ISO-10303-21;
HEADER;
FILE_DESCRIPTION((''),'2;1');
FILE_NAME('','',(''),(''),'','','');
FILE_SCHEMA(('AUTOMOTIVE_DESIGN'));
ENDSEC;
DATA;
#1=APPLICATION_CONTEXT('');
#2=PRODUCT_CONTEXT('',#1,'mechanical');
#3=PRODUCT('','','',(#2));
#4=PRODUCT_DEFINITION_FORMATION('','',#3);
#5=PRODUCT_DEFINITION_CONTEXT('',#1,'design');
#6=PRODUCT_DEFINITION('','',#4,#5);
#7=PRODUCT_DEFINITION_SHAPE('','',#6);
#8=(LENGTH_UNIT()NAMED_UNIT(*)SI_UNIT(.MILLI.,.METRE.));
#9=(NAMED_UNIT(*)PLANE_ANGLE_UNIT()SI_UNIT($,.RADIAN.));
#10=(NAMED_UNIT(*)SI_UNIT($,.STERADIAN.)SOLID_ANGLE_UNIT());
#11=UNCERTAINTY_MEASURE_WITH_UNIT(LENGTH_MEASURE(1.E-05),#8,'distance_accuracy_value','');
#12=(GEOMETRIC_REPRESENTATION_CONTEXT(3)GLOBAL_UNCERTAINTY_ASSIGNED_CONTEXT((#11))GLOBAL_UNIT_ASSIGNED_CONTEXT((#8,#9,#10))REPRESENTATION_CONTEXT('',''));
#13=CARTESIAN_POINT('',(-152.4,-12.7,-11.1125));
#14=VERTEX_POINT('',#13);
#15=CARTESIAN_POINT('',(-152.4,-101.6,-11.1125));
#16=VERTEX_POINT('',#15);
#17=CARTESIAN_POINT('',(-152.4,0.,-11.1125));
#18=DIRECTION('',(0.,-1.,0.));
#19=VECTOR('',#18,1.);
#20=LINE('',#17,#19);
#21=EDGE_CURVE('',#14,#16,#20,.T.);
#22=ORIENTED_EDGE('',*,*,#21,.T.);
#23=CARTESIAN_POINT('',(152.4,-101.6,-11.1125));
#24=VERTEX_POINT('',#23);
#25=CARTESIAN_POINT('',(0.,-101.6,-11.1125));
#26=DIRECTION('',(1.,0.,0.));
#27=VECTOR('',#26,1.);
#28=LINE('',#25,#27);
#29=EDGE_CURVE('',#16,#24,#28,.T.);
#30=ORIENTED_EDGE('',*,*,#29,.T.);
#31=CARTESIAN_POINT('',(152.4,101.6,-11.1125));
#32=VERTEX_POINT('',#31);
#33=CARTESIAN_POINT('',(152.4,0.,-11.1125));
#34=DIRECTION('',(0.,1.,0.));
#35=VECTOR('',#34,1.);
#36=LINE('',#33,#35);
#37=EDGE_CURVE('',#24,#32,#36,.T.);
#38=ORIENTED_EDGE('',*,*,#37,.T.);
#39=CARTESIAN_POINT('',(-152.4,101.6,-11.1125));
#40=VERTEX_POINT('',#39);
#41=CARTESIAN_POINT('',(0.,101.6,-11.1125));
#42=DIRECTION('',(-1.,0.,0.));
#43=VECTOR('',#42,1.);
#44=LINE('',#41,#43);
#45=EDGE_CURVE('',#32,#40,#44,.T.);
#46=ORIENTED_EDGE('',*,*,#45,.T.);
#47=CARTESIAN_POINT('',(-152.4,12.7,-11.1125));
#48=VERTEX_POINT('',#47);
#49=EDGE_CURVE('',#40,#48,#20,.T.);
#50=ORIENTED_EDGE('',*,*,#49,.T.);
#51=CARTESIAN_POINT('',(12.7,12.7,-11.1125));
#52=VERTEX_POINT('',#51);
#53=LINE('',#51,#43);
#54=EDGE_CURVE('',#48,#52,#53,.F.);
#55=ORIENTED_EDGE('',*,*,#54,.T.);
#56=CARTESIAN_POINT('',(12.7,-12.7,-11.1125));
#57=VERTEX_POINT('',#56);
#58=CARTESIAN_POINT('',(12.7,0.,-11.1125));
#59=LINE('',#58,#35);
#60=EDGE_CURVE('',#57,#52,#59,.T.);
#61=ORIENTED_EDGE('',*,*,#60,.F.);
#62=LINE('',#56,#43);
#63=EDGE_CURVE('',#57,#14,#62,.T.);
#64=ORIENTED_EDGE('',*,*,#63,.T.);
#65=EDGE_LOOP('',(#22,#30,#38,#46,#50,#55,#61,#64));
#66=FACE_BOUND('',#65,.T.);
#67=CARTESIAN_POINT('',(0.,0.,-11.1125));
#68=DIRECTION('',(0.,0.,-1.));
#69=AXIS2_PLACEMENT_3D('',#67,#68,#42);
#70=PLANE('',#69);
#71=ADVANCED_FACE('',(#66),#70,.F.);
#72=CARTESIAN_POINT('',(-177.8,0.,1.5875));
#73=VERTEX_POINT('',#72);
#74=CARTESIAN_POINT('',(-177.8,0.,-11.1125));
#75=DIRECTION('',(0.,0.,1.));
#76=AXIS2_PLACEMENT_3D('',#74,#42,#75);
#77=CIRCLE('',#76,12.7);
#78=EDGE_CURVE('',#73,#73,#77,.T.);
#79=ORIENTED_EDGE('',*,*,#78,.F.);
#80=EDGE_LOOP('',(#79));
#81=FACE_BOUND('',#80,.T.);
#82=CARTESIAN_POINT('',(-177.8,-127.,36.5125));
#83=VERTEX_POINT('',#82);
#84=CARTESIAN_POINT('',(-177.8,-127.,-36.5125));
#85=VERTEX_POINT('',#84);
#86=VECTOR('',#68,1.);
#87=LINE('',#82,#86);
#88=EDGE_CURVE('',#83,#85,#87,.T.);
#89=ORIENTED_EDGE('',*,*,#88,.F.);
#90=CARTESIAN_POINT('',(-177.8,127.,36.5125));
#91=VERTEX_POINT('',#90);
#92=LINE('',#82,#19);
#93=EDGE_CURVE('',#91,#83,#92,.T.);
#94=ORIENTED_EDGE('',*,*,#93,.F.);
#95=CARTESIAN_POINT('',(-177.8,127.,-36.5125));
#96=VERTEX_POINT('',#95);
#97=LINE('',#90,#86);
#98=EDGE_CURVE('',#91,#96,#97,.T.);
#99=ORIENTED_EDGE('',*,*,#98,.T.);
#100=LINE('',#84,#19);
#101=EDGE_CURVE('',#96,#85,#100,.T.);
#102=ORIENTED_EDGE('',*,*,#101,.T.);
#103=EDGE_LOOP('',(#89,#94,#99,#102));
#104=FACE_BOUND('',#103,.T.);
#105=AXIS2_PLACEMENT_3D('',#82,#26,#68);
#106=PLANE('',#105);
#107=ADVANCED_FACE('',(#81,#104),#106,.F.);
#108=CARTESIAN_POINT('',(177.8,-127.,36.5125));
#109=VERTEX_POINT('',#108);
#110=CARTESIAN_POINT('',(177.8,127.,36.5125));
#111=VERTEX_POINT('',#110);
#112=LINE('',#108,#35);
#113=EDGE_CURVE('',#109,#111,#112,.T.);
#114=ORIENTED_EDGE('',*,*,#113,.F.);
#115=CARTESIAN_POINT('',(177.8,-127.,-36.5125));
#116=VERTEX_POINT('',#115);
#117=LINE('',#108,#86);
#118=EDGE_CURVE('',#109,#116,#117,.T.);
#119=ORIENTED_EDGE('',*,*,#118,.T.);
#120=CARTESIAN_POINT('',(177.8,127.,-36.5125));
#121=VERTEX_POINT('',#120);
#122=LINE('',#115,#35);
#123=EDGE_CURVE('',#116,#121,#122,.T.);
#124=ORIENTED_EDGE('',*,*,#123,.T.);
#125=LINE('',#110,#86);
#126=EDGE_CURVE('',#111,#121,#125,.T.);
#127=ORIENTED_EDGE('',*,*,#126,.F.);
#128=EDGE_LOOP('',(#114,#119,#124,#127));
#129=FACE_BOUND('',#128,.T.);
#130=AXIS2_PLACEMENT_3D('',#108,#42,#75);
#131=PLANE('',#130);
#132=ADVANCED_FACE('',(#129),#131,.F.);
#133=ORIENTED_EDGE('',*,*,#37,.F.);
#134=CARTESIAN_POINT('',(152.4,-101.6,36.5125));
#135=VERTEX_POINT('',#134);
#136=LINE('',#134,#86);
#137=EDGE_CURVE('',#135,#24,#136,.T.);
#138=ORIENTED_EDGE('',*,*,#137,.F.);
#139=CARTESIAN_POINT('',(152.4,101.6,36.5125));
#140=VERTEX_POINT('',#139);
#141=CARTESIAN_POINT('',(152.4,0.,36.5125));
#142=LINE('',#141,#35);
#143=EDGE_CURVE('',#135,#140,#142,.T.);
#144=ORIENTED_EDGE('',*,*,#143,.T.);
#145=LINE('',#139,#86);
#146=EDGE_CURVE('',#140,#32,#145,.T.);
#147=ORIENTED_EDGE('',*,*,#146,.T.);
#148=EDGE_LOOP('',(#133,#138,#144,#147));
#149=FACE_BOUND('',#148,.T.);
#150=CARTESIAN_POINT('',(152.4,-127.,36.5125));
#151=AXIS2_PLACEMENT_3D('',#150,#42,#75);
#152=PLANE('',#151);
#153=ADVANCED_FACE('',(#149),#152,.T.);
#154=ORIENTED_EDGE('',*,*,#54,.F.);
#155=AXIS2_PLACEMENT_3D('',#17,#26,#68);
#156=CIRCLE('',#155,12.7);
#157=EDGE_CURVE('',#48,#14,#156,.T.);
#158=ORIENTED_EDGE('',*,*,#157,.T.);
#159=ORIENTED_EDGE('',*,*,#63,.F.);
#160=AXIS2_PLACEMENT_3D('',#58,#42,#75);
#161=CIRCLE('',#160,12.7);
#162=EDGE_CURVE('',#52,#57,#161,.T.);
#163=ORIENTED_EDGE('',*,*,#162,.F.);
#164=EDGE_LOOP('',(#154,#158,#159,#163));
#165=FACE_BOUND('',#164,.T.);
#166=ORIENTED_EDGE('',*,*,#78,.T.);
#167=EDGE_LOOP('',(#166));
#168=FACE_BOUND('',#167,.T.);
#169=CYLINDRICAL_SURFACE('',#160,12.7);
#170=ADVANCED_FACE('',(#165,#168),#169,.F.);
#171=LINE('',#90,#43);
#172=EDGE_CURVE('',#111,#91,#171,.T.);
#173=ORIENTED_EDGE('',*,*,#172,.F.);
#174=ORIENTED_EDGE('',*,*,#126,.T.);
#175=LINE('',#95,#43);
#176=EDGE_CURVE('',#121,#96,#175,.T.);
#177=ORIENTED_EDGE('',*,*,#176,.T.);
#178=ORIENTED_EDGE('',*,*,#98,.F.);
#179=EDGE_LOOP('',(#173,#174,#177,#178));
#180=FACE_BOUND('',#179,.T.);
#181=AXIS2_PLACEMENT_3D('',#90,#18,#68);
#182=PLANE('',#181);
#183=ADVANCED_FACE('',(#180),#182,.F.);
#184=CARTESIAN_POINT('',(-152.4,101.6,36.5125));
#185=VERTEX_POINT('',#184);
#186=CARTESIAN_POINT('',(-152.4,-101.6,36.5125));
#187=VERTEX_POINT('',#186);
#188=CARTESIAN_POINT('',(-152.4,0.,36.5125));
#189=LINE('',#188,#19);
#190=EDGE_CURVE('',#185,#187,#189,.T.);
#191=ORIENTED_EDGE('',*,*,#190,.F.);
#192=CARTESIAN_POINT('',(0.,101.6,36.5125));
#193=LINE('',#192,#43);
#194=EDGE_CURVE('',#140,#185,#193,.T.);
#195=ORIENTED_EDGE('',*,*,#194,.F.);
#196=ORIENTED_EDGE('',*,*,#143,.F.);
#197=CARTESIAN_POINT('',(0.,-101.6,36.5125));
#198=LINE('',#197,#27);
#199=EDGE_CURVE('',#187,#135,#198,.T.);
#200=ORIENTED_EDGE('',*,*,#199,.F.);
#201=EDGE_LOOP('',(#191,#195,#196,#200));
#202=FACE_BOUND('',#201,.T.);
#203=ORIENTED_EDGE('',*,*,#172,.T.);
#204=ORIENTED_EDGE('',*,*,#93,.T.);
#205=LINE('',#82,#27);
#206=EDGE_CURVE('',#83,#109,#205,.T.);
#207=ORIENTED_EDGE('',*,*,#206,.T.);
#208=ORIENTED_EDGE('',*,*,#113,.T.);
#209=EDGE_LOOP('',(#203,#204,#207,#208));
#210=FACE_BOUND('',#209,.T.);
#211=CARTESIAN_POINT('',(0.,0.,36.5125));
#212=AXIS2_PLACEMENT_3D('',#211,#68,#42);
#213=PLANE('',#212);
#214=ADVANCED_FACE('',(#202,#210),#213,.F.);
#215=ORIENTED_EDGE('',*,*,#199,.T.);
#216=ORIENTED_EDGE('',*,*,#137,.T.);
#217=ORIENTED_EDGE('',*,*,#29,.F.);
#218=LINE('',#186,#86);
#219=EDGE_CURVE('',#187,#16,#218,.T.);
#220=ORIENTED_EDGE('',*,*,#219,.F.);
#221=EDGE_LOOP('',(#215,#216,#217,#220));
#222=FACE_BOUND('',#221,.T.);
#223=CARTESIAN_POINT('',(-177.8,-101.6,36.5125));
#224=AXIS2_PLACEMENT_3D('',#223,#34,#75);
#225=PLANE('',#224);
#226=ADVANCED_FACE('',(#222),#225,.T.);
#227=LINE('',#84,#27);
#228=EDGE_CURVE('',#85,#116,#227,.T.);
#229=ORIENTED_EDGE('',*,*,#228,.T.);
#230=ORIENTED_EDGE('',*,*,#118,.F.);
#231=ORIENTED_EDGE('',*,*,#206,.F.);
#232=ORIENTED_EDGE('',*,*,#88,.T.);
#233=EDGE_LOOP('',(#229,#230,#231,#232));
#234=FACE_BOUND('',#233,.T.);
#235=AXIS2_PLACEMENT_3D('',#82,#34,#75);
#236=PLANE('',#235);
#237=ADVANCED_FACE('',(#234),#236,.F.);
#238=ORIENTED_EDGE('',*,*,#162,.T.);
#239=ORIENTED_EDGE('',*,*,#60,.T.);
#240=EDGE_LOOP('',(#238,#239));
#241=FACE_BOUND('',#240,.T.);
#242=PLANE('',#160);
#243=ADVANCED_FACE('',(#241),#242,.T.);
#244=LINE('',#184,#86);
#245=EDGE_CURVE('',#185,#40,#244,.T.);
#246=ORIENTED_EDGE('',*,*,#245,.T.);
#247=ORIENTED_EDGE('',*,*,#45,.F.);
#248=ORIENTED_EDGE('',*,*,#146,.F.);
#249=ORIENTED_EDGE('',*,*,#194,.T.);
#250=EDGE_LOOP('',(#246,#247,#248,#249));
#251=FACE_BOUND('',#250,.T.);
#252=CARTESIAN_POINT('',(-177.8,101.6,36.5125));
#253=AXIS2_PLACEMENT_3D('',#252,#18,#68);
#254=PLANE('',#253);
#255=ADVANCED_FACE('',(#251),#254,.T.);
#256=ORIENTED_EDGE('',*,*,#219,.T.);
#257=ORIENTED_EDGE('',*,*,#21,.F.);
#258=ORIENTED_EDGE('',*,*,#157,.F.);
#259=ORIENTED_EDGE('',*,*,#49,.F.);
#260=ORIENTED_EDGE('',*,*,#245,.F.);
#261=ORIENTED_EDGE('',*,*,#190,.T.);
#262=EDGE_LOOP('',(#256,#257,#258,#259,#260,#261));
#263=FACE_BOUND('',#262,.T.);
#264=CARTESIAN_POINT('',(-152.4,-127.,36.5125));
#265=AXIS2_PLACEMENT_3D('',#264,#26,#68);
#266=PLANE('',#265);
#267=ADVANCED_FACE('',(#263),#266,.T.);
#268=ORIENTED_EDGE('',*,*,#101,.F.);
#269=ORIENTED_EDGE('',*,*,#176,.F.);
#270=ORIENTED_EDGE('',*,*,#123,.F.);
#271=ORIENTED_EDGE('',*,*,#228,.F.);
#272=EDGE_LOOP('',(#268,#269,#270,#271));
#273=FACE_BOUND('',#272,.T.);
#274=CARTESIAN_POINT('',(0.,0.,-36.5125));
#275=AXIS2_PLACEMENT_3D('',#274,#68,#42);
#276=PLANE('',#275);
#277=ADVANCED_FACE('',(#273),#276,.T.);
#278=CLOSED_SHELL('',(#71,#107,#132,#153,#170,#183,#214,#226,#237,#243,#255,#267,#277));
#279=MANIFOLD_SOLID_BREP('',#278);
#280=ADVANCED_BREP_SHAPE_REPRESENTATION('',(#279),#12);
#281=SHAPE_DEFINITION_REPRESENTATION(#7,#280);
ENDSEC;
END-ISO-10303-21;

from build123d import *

# Parameters (mm, degrees)
SKETCH1_W           = 355.6
SKETCH1_H           = 254
BOSS_EXTRUDE1_DEPTH = 36.5125
SHELL1_T            = -25.4
SKETCH2_R           = 12.7
CUT_EXTRUDE1_DEPTH  = 190.5


with BuildPart() as part:
    # Sketch1 → Boss-Extrude1 (new body, symmetric)
    with BuildSketch(Plane.XY):
        Rectangle(SKETCH1_W, SKETCH1_H)
    extrude(amount=BOSS_EXTRUDE1_DEPTH, both=True)

    # Shell1
    shell1_openings = [part.faces().sort_by_distance(p)[0] for p in [
        (0, 0, 36.5125),
    ]]
    offset(amount=SHELL1_T, openings=shell1_openings, kind=Kind.INTERSECTION)

    # Sketch2 → Cut-Extrude1 (cut)
    with BuildSketch(Plane.ZY.offset(177.8)):
        with Locations((-11.1125, 0)):
            Circle(SKETCH2_R)
    extrude(amount=-CUT_EXTRUDE1_DEPTH, mode=Mode.SUBTRACT)


solid = part.part
